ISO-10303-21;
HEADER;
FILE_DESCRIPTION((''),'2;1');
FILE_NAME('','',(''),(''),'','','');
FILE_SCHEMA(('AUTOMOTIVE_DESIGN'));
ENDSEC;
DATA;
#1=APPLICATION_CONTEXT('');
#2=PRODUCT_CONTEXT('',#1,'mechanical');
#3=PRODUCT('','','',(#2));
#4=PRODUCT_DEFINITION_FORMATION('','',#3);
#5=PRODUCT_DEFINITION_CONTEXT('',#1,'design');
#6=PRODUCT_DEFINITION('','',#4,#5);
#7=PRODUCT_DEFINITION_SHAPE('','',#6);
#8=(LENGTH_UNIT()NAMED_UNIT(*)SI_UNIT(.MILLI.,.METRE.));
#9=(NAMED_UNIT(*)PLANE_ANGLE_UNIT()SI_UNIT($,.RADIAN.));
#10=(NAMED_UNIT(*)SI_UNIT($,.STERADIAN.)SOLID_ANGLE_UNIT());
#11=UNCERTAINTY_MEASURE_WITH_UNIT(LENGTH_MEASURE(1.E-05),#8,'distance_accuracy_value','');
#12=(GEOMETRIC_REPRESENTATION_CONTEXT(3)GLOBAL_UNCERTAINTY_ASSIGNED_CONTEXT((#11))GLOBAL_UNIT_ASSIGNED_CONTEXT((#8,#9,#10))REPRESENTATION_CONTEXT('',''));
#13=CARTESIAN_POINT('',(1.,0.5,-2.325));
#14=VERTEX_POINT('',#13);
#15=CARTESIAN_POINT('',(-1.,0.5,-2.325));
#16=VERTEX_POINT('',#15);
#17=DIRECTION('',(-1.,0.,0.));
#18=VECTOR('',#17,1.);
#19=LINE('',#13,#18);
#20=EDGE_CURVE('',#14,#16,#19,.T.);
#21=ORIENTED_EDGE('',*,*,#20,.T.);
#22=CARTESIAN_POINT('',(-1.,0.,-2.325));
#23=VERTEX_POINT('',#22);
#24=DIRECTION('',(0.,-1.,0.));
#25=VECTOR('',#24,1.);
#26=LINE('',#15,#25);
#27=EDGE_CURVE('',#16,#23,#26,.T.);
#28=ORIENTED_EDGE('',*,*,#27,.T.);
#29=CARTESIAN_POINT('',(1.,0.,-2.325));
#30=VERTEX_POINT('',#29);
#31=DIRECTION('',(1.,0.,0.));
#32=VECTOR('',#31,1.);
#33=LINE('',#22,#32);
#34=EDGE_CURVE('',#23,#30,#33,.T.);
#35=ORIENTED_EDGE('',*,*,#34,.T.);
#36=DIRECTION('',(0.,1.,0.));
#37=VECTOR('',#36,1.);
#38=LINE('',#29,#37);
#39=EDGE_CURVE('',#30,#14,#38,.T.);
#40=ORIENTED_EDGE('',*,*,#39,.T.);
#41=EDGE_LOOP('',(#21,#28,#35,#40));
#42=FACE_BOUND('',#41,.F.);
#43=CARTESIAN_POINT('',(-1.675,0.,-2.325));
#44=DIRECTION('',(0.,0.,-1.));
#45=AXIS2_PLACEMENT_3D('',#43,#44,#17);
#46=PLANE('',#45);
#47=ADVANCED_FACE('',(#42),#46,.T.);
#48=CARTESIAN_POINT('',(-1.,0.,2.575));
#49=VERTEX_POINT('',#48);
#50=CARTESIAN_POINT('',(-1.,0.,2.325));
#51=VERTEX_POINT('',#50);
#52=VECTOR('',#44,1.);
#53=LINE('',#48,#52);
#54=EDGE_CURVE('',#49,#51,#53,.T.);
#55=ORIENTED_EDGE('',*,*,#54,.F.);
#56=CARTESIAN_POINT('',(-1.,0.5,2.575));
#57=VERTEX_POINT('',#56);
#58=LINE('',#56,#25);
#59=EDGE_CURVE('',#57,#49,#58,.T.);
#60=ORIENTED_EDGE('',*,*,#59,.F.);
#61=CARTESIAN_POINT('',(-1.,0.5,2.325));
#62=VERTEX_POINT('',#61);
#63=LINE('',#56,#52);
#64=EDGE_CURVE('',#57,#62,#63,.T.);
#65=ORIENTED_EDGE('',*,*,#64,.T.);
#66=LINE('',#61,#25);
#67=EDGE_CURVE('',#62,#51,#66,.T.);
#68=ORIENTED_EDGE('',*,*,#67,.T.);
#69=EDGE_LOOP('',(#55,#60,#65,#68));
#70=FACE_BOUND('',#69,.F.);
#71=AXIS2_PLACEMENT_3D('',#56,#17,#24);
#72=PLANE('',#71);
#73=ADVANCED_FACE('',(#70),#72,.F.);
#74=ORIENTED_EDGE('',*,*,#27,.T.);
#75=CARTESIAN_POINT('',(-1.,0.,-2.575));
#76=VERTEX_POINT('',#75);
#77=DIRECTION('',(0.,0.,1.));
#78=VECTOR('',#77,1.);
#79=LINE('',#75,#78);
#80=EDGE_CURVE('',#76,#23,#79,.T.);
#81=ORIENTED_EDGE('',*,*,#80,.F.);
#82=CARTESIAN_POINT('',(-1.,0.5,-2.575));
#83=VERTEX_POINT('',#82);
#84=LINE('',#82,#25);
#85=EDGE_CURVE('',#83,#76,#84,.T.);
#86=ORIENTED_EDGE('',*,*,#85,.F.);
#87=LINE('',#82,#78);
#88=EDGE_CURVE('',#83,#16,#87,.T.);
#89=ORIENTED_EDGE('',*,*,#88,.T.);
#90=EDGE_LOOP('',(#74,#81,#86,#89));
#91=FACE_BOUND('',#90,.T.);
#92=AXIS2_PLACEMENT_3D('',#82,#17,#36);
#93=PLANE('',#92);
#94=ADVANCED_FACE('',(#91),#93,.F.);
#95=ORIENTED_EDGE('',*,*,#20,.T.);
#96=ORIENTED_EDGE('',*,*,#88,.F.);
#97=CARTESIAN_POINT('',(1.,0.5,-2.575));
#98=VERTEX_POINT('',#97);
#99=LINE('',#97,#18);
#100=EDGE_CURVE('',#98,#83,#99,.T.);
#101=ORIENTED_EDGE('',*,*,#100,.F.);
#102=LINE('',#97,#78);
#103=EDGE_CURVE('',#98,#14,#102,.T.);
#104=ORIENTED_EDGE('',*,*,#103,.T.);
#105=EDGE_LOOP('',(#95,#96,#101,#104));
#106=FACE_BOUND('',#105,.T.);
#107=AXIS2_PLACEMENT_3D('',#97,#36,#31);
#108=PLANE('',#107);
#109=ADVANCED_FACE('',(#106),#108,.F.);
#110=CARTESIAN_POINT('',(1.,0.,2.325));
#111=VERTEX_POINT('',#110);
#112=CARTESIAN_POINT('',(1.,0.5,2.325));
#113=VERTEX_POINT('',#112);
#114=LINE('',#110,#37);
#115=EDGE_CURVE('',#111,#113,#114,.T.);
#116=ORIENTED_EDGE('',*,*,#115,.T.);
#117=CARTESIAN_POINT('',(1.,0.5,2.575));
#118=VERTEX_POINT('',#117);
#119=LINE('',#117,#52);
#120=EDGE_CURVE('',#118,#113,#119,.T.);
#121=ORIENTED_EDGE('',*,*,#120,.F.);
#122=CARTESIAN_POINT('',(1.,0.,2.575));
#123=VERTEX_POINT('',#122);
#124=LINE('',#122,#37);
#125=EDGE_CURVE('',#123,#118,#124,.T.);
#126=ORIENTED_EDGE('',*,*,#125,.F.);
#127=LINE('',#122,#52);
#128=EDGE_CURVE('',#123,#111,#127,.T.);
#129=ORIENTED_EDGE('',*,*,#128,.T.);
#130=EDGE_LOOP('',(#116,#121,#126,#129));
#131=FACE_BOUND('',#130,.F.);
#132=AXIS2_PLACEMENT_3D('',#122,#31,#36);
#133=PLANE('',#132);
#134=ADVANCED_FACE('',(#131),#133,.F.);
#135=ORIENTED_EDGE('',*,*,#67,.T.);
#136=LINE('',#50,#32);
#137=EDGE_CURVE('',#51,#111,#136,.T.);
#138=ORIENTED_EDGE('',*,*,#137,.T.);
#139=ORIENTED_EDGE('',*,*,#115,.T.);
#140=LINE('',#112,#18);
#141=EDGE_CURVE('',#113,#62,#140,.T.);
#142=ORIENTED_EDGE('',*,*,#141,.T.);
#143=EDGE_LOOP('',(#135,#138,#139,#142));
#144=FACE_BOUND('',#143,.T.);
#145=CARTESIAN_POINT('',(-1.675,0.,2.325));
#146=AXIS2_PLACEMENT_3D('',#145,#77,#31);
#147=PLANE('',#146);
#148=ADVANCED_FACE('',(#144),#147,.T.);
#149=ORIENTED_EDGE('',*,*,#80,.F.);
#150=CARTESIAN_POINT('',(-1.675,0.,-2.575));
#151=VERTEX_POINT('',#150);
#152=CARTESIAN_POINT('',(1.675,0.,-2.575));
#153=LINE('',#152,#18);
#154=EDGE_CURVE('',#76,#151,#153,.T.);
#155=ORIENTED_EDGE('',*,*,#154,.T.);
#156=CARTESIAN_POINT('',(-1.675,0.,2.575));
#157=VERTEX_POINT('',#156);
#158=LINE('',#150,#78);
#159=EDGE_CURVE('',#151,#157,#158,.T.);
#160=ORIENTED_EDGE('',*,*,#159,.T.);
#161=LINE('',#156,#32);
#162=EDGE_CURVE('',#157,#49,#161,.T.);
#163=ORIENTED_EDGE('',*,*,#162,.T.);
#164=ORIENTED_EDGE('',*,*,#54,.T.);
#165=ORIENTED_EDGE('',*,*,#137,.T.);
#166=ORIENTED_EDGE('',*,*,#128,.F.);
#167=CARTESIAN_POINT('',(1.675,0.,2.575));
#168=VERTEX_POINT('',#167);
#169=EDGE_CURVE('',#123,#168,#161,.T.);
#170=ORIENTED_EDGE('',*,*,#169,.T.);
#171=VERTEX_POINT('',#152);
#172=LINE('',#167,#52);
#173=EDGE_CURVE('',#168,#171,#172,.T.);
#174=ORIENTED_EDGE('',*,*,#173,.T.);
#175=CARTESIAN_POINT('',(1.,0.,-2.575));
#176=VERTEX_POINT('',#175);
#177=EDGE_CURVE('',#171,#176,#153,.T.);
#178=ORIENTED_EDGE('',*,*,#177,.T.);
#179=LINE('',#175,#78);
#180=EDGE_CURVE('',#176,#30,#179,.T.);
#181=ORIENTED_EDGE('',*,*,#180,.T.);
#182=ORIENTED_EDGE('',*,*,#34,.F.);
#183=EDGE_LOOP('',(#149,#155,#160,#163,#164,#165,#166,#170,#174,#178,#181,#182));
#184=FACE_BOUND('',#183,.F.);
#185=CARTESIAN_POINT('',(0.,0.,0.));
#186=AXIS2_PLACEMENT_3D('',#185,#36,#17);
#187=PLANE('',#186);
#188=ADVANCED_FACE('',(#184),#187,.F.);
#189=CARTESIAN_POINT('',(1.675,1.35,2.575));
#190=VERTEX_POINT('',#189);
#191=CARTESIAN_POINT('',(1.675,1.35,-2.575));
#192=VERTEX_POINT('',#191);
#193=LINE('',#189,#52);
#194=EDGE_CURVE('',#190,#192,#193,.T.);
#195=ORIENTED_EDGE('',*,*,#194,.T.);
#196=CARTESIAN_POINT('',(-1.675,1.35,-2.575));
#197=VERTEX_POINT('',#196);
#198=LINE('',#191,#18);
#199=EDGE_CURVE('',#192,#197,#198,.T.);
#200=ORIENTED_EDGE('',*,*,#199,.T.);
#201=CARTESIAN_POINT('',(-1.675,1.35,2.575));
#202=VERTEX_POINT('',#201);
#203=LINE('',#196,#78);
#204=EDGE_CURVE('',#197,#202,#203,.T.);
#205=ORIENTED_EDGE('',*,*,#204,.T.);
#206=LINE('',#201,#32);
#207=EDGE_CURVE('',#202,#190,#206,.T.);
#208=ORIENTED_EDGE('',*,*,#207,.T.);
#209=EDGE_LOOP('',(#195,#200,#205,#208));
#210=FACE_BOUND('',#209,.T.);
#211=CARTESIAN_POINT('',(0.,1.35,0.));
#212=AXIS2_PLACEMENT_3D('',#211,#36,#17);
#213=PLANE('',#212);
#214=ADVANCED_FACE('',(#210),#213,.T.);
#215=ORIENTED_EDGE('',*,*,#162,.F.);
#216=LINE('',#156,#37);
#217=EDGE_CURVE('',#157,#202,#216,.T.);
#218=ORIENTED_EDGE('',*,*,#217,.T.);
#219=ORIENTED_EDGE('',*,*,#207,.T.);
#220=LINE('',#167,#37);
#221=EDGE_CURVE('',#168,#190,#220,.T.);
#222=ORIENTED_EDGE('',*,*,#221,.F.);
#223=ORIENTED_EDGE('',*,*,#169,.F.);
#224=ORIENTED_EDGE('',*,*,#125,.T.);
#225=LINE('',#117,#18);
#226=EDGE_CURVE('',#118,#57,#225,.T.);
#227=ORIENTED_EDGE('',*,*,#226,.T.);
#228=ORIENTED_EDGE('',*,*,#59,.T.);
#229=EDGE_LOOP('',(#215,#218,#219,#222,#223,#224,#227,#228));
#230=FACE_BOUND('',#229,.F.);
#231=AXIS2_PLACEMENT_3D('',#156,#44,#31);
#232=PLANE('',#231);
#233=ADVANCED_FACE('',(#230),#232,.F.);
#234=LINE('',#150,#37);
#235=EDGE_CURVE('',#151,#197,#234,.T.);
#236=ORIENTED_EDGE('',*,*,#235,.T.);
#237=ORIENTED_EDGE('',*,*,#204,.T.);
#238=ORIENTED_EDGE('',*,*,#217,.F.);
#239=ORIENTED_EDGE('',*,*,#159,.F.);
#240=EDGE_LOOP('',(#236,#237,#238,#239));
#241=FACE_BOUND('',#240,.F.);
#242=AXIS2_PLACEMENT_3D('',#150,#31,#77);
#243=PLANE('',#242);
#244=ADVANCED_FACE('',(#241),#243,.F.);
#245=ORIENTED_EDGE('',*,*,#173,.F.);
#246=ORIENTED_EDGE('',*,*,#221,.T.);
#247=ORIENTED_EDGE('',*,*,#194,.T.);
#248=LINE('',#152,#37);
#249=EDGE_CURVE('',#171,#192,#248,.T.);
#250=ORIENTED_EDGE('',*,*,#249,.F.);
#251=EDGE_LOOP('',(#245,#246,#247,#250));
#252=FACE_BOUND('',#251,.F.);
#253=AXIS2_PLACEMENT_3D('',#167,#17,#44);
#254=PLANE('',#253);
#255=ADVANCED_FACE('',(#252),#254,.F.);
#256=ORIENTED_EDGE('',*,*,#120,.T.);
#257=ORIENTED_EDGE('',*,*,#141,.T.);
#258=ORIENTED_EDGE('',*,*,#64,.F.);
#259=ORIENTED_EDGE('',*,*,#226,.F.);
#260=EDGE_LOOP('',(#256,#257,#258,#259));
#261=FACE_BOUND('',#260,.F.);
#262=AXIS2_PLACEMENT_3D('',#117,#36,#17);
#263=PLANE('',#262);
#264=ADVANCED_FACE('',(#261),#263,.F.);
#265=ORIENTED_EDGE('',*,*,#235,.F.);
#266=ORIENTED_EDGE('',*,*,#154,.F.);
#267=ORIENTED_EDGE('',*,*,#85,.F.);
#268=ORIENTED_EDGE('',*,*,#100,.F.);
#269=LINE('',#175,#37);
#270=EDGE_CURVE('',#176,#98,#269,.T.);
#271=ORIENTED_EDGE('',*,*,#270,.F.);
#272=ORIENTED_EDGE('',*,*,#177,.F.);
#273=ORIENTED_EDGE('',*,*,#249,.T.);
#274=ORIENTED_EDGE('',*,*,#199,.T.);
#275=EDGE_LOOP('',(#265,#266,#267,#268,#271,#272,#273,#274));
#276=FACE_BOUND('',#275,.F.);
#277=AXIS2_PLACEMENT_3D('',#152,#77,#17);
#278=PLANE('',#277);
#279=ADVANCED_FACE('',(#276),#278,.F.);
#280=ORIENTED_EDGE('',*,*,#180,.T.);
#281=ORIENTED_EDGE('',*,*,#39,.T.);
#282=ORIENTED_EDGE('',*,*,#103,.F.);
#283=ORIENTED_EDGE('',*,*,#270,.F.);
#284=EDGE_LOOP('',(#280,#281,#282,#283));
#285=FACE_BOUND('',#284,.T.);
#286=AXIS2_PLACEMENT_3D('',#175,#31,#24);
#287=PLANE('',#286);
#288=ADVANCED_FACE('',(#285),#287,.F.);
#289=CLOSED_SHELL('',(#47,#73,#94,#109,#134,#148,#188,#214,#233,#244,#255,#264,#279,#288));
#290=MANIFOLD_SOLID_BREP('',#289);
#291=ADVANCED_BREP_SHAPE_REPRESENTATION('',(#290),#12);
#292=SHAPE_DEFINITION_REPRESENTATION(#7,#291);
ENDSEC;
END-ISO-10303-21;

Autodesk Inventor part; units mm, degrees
ref_plane "YZ Plane" through (0, 0, 0) normal (1, 0, 0) x (0, 1, 0)
ref_plane "XZ Plane" through (0, 0, 0) normal (0, 1, 0) x (-1, 0, 0)
ref_plane "XY Plane" through (0, 0, 0) normal (0, 0, 1) x (1, 0, 0)
sketch "Sketch1" plane through (0, 0, 0) normal (0, 1, 0) x (-1, 0, 0)
  line L0 (1.675, 2.575) -> (-1.675, 2.575)
  line L1 (-1.675, 2.575) -> (-1.675, -2.575)
  line L2 (-1.675, -2.575) -> (1.675, -2.575)
  line L3 (1.675, -2.575) -> (1.675, 2.575)
  point P0 (0, 0)
  dimension "d0" = 5.15
  dimension "d1" = 2.575
  dimension "d2" = 3.35
  dimension "d3" = 1.675
extrude "Extrusion1" add sketch "Sketch1" along normal blind 1.35
sketch "Sketch2" plane through (-1.675, 0, 2.575) normal (0, 0, 1) x (1, 0, 0)
  line L0 (0.675, 0) -> (2.675, 0)
  line L1 (2.675, 0) -> (2.675, 0.5)
  line L2 (2.675, 0.5) -> (0.675, 0.5)
  line L3 (0.675, 0.5) -> (0.675, 0)
  line L4 (0, 0) -> (3.35, 0) projected
  point P0 (1.675, 0)
  dimension "d6" = 2
  dimension "d7" = 1
  dimension "d8" = 0
  dimension "d9" = 0.5
extrude "Extrusion2" cut sketch "Sketch2" against normal blind 0.25
mirror "Mirror1" about plane through (0, 0, 0) normal (0, 0, 1) of "Extrusion2"
properties part number "XTAL_5032"
